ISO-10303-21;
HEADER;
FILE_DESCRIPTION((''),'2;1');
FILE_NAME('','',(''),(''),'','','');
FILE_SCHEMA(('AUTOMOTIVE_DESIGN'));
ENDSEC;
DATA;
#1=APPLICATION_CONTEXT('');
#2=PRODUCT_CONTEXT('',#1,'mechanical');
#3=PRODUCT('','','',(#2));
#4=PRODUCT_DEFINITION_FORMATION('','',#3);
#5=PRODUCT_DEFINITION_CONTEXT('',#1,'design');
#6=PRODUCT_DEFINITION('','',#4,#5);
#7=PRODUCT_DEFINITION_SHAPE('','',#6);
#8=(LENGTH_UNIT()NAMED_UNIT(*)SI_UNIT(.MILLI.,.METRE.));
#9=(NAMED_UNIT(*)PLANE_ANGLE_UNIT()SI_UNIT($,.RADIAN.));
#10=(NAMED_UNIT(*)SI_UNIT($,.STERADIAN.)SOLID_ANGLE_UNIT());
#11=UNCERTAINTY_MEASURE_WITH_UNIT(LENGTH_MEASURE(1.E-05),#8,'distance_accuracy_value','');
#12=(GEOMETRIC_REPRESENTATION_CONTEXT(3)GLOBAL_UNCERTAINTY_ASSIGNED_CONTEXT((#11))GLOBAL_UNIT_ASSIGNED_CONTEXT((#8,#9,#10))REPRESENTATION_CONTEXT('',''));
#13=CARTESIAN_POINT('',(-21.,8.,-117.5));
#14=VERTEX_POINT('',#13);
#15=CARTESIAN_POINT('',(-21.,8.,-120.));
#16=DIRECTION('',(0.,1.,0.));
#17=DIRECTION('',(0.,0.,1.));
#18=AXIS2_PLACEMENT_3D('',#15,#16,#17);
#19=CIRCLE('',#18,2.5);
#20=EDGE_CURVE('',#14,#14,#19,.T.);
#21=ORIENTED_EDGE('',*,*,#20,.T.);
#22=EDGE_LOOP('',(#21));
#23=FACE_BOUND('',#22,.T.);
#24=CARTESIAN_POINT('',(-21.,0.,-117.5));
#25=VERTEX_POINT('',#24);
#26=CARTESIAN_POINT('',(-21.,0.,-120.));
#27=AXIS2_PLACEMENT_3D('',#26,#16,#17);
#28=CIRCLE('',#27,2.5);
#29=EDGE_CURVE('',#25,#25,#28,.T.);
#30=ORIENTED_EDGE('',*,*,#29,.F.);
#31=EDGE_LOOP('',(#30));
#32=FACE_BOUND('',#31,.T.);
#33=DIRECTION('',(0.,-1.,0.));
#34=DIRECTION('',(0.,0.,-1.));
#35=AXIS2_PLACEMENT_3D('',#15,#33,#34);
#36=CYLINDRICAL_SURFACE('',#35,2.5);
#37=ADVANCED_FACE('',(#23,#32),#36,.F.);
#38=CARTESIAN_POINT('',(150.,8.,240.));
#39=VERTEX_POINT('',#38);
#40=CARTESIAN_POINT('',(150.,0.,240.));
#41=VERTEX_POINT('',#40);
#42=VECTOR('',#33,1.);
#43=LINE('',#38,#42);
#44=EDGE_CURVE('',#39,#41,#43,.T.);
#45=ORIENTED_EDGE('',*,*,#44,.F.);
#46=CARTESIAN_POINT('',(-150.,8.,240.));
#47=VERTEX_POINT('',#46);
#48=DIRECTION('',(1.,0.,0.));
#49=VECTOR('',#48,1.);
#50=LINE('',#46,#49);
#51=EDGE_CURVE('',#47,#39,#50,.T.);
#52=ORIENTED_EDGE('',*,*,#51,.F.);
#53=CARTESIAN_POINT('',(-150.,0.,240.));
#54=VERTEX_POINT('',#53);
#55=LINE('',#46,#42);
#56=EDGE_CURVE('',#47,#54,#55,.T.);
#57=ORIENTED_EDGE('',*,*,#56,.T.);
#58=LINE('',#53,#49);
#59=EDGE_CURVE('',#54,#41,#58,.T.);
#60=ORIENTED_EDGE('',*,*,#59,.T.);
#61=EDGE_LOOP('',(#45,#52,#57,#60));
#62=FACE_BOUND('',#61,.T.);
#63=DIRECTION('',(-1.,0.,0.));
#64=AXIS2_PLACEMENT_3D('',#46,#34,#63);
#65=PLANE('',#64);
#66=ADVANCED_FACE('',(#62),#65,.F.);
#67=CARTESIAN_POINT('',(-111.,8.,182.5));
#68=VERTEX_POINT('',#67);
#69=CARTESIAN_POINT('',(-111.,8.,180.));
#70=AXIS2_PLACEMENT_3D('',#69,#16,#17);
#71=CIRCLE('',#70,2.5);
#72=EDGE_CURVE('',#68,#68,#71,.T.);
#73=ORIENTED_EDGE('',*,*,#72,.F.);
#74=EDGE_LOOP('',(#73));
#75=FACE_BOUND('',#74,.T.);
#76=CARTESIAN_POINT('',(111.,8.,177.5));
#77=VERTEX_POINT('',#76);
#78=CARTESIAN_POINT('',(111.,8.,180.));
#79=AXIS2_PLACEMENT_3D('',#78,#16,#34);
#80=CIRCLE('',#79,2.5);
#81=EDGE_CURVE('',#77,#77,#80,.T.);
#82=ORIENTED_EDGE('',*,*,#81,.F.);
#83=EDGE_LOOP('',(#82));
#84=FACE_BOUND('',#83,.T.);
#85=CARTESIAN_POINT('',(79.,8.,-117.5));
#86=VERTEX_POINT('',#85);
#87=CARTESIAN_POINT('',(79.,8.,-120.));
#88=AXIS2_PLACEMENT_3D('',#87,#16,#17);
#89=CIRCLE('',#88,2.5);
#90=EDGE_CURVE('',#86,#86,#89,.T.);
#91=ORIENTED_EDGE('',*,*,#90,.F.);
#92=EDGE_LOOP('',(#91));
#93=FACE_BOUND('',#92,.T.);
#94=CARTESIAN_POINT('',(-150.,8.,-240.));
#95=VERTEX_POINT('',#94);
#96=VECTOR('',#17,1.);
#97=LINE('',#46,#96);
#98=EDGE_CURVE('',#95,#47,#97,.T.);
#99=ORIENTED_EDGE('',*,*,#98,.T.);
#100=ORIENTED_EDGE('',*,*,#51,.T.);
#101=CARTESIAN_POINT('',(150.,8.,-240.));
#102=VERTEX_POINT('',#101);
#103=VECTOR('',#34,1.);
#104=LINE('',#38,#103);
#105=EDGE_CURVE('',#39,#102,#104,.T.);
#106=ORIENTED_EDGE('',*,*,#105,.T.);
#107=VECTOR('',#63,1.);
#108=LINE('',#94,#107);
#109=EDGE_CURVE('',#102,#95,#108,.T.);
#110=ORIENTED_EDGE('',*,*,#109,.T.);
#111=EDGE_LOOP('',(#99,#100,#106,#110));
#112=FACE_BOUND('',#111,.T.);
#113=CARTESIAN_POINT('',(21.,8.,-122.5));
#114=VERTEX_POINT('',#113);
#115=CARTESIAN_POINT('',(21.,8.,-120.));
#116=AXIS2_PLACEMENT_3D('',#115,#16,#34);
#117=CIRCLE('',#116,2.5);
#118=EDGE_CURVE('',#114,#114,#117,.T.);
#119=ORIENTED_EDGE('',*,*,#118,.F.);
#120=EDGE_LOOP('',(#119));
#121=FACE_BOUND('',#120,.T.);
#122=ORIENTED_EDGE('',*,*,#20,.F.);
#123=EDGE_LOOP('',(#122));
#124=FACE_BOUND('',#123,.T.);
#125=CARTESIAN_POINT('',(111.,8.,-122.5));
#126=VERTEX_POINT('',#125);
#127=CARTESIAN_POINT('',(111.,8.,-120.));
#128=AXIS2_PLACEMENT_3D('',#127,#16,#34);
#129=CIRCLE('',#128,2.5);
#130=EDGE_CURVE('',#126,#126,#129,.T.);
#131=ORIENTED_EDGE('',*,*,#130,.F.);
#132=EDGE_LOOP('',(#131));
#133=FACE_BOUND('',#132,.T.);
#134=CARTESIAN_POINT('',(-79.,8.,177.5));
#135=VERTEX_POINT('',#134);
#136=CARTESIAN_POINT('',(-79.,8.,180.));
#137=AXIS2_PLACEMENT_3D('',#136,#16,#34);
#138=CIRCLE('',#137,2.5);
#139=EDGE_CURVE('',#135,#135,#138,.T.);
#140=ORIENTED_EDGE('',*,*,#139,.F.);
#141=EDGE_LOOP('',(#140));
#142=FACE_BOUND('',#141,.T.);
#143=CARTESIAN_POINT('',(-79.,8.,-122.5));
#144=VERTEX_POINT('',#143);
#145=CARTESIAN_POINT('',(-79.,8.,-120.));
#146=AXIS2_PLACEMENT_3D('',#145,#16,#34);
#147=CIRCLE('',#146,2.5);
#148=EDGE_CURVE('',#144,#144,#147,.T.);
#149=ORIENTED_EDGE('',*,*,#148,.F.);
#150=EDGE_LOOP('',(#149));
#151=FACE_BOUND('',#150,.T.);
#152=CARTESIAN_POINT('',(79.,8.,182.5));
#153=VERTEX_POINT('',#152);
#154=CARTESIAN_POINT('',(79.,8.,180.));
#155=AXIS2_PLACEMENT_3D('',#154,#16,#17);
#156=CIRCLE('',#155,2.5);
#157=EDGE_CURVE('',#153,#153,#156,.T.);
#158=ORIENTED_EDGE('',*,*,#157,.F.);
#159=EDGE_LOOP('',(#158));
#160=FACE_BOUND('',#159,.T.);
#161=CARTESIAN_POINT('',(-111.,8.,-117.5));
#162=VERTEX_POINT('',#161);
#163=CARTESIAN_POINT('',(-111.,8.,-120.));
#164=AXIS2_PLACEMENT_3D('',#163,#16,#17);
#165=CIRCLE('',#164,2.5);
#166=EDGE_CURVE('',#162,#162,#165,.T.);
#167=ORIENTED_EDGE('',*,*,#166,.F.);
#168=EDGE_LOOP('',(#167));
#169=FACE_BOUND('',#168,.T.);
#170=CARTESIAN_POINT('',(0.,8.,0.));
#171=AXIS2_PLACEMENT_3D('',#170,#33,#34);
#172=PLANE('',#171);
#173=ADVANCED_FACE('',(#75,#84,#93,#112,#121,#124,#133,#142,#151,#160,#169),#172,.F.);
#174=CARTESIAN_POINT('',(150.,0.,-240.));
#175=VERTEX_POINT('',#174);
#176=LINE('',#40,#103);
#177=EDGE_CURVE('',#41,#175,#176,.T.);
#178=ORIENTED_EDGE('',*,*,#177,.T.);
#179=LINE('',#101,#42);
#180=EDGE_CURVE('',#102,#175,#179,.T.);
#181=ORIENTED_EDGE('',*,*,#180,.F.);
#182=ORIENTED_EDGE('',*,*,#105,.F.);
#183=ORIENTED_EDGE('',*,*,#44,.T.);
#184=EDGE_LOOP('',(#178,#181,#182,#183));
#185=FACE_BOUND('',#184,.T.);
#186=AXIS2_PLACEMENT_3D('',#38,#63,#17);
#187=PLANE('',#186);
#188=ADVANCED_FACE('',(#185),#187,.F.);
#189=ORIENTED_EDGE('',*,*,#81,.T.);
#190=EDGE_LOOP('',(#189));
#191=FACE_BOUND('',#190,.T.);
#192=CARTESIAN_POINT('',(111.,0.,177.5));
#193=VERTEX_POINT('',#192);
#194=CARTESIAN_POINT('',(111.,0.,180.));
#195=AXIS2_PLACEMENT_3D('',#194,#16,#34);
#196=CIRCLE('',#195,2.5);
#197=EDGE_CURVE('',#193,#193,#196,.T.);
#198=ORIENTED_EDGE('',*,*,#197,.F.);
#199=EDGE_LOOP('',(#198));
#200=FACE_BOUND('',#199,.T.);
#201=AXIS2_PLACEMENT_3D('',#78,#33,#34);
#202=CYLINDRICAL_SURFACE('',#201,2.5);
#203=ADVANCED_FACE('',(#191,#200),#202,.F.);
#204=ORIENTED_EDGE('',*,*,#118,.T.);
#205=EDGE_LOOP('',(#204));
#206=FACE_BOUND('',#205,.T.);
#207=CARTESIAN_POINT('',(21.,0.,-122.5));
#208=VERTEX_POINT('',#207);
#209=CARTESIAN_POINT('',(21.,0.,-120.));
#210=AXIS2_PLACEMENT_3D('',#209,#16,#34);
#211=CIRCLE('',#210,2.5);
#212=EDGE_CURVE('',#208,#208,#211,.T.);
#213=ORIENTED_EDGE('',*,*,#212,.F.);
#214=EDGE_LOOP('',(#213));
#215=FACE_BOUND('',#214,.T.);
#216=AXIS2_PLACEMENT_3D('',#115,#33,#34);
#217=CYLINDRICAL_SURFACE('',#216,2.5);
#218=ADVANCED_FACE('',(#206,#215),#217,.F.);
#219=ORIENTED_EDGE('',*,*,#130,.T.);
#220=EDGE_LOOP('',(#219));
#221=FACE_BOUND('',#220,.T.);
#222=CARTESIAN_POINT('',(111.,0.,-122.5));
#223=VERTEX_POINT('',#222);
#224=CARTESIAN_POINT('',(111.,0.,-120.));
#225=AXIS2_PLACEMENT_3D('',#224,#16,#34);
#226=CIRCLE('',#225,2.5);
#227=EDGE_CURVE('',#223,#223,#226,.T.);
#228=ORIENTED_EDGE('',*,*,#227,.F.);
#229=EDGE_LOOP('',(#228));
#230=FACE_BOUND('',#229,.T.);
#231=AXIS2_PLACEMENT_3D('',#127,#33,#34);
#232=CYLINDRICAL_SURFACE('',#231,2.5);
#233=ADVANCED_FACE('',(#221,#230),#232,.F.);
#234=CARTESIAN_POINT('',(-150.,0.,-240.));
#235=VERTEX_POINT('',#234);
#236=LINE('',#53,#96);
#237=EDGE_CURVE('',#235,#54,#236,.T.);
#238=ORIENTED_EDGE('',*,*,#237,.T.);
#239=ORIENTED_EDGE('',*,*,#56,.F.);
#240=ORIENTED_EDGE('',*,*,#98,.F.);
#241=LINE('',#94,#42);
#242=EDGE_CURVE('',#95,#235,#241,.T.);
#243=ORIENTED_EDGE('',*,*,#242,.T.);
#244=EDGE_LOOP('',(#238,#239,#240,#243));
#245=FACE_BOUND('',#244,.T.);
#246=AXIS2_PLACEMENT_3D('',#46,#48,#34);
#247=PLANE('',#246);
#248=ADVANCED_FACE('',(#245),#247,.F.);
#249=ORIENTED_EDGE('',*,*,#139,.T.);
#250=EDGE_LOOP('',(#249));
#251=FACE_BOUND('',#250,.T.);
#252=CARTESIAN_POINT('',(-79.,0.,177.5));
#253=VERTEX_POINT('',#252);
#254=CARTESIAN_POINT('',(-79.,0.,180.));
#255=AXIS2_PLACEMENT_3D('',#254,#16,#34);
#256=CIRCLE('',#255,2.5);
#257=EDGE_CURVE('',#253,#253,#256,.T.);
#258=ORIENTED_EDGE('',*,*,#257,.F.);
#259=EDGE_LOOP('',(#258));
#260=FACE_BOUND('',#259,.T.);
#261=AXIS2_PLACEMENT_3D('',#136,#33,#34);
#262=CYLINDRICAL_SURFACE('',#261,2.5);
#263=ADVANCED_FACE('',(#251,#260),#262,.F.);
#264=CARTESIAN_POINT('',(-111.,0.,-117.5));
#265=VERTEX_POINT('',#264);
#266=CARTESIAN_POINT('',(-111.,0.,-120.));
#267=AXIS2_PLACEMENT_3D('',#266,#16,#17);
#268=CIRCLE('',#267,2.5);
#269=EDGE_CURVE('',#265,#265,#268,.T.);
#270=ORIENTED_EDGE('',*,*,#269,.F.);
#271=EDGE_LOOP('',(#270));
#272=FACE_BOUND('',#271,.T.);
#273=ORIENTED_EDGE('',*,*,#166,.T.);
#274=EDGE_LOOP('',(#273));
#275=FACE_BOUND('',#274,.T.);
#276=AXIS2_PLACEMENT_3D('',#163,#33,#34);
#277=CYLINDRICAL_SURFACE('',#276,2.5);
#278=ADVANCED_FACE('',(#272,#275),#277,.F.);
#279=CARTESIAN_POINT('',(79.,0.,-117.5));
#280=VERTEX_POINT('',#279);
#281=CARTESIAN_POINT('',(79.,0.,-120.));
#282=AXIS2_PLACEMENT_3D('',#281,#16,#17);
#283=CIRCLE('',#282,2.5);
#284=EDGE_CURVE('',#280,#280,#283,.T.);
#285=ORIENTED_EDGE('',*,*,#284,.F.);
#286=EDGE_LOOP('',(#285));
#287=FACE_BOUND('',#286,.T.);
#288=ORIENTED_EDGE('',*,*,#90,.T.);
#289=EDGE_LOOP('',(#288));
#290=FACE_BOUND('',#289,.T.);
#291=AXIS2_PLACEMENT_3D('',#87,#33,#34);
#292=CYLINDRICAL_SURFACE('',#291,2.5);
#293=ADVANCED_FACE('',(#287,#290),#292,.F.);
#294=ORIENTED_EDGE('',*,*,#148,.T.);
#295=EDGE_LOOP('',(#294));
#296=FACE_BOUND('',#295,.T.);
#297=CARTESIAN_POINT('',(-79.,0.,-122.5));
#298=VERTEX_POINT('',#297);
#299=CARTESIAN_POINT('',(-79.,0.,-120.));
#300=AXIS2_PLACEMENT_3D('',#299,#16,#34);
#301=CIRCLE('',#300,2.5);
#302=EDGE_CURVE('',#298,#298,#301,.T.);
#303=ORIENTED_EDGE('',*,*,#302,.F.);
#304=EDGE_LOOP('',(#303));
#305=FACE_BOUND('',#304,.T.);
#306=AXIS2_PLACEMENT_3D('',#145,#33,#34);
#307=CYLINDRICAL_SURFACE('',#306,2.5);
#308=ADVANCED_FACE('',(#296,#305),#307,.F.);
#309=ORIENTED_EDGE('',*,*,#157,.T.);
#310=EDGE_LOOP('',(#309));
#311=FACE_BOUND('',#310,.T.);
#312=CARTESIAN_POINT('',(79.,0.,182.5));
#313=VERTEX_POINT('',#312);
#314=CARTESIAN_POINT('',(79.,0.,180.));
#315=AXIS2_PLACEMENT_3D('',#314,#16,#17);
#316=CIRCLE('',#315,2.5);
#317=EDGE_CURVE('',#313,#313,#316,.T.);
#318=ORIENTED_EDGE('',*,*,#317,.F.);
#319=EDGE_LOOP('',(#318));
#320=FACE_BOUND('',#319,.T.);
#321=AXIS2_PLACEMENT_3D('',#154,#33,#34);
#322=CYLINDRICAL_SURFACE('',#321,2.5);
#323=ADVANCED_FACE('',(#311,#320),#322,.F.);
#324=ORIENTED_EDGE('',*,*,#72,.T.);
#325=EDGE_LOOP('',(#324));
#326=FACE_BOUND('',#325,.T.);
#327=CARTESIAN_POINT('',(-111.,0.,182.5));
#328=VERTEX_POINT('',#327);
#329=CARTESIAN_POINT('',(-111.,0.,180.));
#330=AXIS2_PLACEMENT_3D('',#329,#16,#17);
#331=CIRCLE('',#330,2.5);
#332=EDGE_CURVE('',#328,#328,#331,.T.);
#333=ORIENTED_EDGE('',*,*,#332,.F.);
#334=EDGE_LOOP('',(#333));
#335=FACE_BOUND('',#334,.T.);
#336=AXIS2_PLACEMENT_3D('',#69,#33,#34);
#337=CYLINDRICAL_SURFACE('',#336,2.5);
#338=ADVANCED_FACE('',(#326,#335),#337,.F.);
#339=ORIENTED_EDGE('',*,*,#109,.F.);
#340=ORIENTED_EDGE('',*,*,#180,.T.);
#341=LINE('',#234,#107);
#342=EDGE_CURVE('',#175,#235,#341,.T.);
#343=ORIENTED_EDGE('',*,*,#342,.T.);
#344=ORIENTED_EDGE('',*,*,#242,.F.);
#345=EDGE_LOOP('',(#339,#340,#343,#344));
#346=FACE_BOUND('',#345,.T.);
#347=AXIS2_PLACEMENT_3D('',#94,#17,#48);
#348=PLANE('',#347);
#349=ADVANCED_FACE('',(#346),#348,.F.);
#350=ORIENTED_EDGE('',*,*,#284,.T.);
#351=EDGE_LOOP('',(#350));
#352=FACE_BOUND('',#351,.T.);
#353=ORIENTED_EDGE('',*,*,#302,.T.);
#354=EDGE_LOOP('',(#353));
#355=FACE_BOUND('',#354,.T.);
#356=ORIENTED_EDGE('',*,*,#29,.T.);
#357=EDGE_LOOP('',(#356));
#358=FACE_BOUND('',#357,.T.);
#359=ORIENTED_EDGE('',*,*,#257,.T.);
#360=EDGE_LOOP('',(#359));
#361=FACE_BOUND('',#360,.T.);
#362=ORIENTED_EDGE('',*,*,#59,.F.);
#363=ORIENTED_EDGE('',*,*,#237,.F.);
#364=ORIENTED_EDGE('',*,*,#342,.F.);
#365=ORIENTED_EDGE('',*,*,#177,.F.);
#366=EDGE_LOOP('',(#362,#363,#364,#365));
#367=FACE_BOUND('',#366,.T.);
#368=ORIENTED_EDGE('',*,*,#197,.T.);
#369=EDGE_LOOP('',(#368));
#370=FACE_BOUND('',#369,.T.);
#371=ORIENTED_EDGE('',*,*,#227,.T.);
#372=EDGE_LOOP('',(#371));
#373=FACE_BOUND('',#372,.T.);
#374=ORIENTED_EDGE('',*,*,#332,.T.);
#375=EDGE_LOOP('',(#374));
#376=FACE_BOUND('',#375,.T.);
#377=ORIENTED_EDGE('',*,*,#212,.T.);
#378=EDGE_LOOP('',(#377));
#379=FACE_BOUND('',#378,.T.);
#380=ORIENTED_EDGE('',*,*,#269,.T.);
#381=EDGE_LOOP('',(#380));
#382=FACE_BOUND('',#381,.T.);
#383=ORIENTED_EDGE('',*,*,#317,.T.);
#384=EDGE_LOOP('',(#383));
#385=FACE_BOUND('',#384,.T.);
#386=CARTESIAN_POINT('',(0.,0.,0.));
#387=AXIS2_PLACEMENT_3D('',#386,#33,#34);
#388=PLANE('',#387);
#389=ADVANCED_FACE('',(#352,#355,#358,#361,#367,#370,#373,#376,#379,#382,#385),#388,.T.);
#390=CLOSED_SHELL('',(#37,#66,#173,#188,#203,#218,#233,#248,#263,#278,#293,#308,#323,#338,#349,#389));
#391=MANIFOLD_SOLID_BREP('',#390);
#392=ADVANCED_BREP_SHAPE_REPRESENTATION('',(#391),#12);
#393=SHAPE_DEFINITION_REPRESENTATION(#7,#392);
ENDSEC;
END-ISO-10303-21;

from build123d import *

# Parameters (mm, degrees)
SKETCH1_W           = 300
SKETCH1_H           = 480
SKETCH1_R           = 2.5
BOSS_EXTRUDE1_DEPTH = 8


with BuildPart() as part:
    # Sketch1 → Boss-Extrude1 (new body)
    with BuildSketch(Plane(origin=(0, 0, 0), x_dir=(1, 0, 0), z_dir=(0, 1, 0))):
        Rectangle(SKETCH1_W, SKETCH1_H)
        with Locations(Location((-111, 120, 0), (0, 0, 270))):
            Circle(SKETCH1_R, mode=Mode.SUBTRACT)
        with Locations(Location((-111, -180, 0), (0, 0, 270))):
            Circle(SKETCH1_R, mode=Mode.SUBTRACT)
        with Locations(Location((-79, -180, 0), (0, 0, 90))):
            Circle(SKETCH1_R, mode=Mode.SUBTRACT)
        with Locations(Location((-79, 120, 0), (0, 0, 90))):
            Circle(SKETCH1_R, mode=Mode.SUBTRACT)
        with Locations(Location((79, -180, 0), (0, 0, 270))):
            Circle(SKETCH1_R, mode=Mode.SUBTRACT)
        with Locations(Location((111, -180, 0), (0, 0, 90))):
            Circle(SKETCH1_R, mode=Mode.SUBTRACT)
        with Locations(Location((79, 120, 0), (0, 0, 270))):
            Circle(SKETCH1_R, mode=Mode.SUBTRACT)
        with Locations(Location((111, 120, 0), (0, 0, 90))):
            Circle(SKETCH1_R, mode=Mode.SUBTRACT)
        with Locations(Location((-21, 120, 0), (0, 0, 270))):
            Circle(SKETCH1_R, mode=Mode.SUBTRACT)
        with Locations(Location((21, 120, 0), (0, 0, 90))):
            Circle(SKETCH1_R, mode=Mode.SUBTRACT)
    extrude(amount=BOSS_EXTRUDE1_DEPTH)


solid = part.part
